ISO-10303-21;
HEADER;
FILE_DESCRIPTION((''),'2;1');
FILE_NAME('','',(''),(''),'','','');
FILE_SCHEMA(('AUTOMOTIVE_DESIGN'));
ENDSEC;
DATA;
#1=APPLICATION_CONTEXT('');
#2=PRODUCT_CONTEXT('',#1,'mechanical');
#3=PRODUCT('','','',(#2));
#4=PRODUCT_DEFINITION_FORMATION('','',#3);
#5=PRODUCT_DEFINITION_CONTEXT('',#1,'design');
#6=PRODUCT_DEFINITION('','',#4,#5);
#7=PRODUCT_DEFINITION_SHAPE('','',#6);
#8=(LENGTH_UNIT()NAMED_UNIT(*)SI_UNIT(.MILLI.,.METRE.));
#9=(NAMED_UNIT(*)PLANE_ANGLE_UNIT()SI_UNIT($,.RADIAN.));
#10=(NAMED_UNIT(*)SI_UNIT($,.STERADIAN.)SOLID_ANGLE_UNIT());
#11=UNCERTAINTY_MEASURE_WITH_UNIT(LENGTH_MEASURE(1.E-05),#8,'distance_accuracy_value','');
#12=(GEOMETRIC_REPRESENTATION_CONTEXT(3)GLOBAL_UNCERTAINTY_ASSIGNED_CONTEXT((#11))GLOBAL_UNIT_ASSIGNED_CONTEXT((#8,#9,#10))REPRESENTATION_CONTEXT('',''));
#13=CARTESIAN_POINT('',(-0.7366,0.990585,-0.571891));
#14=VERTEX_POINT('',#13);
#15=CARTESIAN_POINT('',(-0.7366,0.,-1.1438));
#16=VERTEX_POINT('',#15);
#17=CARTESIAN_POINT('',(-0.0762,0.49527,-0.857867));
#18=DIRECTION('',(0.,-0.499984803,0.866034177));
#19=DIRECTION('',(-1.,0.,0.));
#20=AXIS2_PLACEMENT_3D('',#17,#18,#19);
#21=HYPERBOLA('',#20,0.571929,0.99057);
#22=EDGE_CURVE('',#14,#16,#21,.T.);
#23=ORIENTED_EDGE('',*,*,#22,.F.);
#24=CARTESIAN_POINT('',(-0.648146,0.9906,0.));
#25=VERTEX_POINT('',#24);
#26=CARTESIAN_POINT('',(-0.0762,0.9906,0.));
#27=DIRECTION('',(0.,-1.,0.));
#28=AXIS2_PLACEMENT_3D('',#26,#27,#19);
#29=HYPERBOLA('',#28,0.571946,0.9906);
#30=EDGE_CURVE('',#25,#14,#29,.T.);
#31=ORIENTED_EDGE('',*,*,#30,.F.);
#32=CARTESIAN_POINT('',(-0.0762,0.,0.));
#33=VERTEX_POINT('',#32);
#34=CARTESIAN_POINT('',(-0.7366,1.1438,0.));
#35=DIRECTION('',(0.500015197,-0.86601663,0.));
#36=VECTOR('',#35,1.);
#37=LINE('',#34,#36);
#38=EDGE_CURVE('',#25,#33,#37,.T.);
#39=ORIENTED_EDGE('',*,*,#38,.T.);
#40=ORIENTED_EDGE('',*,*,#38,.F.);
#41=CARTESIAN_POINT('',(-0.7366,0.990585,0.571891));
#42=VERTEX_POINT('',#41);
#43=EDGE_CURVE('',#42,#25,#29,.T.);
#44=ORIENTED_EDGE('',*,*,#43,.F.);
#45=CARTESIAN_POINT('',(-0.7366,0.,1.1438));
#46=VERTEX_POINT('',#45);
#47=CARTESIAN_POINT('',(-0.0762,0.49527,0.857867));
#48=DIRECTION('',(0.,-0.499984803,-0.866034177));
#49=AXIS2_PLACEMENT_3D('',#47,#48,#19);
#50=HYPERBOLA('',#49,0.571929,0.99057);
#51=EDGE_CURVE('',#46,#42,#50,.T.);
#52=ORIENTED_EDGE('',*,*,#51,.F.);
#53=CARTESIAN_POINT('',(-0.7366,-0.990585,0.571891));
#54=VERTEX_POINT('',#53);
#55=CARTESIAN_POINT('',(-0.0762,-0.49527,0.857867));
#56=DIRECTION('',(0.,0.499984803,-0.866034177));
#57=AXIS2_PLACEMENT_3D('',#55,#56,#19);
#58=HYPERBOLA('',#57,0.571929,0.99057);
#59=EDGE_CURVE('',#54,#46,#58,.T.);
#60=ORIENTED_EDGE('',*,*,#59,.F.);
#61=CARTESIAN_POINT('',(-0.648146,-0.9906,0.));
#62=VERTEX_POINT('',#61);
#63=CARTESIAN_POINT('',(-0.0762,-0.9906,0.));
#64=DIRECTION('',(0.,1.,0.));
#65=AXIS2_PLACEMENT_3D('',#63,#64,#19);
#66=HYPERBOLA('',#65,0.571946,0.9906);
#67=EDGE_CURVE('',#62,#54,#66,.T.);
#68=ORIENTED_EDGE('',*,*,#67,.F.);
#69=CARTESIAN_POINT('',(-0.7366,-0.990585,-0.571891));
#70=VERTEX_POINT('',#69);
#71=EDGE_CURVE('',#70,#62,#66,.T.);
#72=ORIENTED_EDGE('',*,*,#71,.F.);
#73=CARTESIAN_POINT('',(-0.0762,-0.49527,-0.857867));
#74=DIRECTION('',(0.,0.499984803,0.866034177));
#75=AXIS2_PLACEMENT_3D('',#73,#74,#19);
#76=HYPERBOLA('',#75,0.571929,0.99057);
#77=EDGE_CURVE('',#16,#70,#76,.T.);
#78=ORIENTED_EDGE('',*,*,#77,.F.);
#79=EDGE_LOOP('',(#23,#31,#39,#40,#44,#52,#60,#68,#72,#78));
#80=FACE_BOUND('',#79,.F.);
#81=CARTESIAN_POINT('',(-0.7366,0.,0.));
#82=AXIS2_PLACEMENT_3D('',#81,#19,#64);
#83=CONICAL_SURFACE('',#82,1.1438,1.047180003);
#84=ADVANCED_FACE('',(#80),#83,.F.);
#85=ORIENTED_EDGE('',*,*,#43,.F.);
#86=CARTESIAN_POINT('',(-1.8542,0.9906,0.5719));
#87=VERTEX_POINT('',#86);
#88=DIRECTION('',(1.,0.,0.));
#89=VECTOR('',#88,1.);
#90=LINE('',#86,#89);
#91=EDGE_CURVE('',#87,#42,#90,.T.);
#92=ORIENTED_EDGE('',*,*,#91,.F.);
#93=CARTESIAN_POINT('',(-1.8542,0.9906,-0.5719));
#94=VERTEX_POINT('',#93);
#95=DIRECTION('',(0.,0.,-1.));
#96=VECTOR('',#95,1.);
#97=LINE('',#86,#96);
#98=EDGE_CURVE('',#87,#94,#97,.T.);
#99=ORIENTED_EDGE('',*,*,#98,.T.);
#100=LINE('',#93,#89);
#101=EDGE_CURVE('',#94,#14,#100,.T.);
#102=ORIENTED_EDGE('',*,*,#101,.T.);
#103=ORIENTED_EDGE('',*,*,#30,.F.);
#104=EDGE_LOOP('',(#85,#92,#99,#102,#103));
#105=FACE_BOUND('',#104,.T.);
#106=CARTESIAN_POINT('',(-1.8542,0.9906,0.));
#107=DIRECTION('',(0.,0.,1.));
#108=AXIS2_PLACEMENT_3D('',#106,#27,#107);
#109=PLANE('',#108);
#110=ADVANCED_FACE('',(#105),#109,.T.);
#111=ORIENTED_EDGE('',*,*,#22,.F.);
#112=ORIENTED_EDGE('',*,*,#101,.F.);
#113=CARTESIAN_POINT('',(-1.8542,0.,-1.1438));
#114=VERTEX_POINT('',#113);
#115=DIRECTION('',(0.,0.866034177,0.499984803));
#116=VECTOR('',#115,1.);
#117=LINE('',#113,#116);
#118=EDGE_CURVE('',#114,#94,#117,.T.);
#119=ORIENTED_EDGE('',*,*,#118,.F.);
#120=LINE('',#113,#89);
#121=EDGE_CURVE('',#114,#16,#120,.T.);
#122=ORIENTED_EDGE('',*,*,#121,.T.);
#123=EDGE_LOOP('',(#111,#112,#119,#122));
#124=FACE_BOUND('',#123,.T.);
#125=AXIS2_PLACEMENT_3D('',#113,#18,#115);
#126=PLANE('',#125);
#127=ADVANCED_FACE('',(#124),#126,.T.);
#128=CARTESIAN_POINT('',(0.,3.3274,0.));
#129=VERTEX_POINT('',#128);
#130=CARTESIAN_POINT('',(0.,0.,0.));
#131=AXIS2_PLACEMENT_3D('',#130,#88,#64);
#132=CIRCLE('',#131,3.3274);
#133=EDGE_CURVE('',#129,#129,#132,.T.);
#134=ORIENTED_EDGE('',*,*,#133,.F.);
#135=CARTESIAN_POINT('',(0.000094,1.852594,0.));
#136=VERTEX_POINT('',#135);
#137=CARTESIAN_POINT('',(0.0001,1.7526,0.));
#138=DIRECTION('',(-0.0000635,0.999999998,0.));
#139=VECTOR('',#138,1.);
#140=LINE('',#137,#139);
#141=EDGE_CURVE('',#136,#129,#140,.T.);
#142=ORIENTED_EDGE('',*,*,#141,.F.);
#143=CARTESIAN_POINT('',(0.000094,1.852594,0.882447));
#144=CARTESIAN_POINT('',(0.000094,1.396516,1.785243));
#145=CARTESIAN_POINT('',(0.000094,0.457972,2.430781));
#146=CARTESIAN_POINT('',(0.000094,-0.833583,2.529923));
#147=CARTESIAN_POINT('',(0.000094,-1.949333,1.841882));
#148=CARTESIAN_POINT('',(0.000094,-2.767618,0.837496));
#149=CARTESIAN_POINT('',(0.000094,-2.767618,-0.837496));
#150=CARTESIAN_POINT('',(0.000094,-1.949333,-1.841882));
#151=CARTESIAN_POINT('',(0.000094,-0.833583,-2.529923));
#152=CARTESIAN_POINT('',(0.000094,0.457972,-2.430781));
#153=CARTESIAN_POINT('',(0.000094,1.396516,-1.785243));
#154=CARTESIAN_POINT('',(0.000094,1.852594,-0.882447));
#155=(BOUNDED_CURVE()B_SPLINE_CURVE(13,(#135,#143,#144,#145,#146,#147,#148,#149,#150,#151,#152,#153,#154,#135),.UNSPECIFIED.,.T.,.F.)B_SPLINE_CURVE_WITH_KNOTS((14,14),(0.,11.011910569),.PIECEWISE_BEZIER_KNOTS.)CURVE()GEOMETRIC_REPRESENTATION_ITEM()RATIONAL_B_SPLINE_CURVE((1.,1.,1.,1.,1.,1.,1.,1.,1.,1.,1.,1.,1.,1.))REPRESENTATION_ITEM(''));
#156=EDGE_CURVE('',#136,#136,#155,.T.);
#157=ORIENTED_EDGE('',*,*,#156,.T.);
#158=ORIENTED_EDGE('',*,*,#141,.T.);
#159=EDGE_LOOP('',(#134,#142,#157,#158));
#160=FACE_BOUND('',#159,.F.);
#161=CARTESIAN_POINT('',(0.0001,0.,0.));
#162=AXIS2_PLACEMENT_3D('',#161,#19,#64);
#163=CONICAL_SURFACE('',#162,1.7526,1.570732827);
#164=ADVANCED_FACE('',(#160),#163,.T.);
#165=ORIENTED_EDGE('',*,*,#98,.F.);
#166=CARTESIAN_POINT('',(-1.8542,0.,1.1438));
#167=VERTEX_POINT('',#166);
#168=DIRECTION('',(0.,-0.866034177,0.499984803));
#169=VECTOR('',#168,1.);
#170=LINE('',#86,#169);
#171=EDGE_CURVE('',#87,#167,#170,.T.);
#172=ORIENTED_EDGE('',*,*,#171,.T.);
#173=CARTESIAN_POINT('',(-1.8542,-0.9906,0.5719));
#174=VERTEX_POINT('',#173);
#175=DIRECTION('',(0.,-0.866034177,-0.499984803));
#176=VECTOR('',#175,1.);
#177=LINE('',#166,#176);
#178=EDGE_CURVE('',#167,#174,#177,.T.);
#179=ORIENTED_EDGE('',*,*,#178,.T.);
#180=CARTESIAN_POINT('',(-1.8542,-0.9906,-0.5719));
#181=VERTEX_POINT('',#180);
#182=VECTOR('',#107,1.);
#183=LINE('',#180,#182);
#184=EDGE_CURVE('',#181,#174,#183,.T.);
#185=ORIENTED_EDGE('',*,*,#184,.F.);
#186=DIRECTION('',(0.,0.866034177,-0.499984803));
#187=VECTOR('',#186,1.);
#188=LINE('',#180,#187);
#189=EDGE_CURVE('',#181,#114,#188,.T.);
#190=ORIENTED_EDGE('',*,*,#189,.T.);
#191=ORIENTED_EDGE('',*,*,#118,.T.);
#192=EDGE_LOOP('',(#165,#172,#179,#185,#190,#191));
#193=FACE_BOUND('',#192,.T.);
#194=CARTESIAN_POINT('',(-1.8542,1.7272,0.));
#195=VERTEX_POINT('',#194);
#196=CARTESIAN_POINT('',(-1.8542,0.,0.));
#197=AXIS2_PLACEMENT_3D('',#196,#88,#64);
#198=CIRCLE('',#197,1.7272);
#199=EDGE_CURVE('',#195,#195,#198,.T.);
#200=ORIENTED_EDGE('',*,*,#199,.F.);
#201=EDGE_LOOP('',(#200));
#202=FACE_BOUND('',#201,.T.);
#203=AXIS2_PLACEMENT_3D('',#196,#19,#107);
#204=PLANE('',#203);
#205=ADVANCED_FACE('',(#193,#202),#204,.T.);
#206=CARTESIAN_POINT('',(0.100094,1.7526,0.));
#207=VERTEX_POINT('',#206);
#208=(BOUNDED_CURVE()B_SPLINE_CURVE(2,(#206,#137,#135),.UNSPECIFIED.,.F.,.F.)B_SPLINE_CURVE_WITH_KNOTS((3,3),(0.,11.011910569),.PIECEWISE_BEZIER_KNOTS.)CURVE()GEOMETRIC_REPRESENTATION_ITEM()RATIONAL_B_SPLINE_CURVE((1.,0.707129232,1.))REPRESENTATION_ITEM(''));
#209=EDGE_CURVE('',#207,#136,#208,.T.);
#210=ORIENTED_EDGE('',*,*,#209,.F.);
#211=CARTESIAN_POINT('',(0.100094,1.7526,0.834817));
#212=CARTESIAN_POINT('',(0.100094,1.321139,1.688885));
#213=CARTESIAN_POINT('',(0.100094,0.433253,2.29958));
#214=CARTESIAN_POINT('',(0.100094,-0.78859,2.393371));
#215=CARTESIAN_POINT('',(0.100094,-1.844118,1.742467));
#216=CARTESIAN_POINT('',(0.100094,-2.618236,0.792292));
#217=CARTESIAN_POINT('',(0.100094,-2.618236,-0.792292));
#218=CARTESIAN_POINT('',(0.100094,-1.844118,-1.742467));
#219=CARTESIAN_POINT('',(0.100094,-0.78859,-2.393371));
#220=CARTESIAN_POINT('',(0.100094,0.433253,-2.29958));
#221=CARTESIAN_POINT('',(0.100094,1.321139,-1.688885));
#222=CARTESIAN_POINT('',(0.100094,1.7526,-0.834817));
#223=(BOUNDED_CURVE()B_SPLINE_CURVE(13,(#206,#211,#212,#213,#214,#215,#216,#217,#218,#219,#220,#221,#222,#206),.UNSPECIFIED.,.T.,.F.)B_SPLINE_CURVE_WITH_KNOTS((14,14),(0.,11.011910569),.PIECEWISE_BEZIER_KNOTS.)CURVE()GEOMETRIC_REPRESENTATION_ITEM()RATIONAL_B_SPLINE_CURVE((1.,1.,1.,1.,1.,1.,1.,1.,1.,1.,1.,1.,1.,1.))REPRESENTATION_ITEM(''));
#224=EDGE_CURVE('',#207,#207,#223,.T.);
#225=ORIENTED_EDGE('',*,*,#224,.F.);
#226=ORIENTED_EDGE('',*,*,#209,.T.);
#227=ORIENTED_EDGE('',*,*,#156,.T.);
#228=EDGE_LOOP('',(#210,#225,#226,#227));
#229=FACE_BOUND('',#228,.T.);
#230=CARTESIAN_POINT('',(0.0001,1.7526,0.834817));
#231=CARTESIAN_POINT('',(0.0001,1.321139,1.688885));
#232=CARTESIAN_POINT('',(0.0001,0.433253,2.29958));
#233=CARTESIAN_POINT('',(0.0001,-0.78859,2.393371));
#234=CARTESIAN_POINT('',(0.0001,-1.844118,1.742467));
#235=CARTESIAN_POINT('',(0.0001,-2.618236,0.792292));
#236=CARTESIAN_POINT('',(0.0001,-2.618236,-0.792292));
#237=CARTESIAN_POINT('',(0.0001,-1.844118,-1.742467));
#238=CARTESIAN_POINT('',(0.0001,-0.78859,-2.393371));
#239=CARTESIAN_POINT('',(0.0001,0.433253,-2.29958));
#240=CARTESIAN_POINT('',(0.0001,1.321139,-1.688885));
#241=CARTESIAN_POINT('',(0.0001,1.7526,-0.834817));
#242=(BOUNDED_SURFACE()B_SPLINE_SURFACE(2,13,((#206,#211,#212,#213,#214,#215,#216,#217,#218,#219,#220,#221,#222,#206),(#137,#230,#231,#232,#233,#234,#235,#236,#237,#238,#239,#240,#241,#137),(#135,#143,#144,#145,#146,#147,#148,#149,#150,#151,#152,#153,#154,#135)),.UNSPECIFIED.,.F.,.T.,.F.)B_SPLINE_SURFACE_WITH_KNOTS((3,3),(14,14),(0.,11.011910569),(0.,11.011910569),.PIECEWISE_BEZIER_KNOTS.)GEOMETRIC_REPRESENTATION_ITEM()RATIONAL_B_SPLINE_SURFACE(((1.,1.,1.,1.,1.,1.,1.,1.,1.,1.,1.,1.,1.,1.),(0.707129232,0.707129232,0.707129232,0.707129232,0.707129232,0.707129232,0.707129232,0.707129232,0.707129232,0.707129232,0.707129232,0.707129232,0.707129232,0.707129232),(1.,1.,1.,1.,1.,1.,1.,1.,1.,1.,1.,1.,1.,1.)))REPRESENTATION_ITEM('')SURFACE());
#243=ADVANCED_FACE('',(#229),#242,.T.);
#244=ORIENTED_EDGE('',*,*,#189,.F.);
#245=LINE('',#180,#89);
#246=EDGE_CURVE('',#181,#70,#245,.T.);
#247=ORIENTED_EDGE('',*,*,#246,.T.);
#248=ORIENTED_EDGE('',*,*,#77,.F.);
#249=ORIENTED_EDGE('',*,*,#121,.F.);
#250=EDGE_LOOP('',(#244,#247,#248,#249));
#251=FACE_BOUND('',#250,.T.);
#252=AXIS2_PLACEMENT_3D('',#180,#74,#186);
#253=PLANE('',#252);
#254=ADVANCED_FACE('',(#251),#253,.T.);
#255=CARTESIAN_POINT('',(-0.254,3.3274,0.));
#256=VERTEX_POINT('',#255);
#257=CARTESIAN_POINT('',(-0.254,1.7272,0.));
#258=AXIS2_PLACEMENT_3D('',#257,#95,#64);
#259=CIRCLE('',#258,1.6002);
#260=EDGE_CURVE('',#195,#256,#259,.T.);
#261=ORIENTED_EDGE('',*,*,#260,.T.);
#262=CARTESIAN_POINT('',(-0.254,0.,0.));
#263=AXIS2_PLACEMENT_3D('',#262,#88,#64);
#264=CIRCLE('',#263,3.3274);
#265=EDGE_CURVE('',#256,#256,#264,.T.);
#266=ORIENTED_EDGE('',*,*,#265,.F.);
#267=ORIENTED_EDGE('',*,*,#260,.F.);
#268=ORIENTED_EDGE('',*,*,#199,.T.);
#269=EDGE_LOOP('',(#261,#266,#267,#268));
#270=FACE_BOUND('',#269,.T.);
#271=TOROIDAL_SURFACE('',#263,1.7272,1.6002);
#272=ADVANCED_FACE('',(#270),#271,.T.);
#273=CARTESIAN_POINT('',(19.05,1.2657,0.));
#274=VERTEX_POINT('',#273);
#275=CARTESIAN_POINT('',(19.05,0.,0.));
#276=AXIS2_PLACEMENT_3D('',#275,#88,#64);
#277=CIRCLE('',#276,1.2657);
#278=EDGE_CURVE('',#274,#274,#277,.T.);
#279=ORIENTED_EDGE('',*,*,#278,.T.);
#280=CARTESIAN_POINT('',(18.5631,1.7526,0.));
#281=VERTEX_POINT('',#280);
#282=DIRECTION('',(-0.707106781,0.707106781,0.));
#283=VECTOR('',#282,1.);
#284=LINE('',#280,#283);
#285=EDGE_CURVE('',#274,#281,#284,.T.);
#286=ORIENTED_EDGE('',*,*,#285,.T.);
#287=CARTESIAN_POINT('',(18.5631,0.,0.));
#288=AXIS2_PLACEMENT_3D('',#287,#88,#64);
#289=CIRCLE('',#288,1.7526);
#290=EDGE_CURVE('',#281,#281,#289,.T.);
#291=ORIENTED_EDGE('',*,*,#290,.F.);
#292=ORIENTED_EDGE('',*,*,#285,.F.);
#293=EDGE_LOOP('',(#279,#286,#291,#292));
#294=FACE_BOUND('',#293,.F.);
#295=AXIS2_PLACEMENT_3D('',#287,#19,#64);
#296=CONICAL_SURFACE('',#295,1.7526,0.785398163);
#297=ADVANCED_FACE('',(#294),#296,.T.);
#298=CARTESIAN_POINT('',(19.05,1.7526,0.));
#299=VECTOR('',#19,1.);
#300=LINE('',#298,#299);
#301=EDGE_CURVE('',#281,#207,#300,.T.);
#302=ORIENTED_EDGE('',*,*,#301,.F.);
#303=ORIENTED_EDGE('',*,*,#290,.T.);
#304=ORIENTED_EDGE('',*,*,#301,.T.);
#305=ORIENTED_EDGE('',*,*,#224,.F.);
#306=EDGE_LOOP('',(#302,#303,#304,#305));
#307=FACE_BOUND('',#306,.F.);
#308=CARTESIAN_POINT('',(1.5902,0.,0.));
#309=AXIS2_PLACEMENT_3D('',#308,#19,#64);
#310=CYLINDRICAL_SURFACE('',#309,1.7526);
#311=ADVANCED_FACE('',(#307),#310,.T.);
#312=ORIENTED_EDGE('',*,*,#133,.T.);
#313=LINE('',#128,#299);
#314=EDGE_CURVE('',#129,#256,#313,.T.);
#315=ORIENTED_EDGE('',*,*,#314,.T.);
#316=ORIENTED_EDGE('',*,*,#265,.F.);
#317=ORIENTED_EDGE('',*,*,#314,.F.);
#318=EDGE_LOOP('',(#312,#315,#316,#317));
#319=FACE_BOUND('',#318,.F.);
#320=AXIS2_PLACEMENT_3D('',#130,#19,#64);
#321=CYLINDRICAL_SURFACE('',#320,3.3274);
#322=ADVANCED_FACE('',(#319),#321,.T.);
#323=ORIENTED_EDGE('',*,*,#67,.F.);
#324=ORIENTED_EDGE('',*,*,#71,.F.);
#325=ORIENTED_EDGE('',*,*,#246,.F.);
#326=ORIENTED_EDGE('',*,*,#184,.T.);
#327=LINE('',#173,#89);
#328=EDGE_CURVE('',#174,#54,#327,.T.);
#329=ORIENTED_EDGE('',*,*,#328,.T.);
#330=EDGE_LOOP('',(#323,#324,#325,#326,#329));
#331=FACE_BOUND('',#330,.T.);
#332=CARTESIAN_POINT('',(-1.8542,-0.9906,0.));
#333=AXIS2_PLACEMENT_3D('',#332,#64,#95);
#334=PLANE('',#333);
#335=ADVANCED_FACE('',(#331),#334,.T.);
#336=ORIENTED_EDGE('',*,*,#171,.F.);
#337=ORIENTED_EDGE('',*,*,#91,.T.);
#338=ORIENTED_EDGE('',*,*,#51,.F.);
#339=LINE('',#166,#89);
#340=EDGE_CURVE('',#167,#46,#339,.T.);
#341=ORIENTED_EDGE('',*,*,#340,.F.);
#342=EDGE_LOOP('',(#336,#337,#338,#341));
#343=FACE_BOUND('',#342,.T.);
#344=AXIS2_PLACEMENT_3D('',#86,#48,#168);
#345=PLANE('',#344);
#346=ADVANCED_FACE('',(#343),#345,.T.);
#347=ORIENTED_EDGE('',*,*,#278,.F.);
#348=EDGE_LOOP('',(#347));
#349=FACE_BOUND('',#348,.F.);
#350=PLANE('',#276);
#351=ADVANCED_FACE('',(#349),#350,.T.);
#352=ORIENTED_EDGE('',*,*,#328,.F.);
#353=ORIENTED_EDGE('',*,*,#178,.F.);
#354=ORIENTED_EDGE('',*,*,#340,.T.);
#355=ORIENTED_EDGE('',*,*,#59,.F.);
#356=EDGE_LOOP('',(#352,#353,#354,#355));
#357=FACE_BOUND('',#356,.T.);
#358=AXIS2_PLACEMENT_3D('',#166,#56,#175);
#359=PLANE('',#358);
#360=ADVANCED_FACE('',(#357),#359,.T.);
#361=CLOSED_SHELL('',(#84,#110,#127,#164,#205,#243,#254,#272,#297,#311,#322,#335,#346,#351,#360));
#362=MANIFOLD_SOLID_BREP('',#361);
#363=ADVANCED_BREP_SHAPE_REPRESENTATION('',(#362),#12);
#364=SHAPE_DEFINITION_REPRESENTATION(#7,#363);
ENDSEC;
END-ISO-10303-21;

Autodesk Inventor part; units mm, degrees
ref_plane "YZ Plane" through (0, 0, 0) normal (1, 0, 0) x (0, 1, 0)
ref_plane "XZ Plane" through (0, 0, 0) normal (0, 1, 0) x (-1, 0, 0)
sketch "Sketch1" plane through (0, 0, 0) normal (0, 0, 1) x (1, 0, 0)
  line L0 (-0.0762, 0) -> (19.05, 0)
  line L1 (19.05, 0) -> (19.05, 1.7526)
  line L2 (19.05, 1.7526) -> (1.5902, 1.7526)
  line L3 (1.5902, 1.7526) -> (0.0001, 1.7526)
  line L4 (0.0001, 1.7526) -> (0, 1.7526)
  line L5 (0, 1.7526) -> (0, 3.3274)
  line L6 (0, 3.3274) -> (-1.8542, 3.3274)
  line L7 (-1.8542, 3.3274) -> (-1.8542, 1.1438)
  line L8 (-1.8542, 1.1438) -> (-0.7366, 1.1438)
  line L9 (-0.7366, 1.1438) -> (-0.0762, 0)
  line L10 (-6.035, 0) -> (23.2308, 0) projected
  line L11 (0, -0.6655) -> (0, 3.9929) projected
  line L12 (1.5902, 1.7526) -> (0, 1.7526) construction
  dimension "d1" = 17.4598
  dimension "d2" = 1.5901
  dimension "d3" = 1.8542
  dimension "d4" = 1.1176
  dimension "d5" = 60
  dimension "d6" = 3.5052
  dimension "d7" = 3.5052
  dimension "d8" = 2.2877
  dimension "d9" = 6.6548
  dimension "d26" = 19.05
revolve "Body" add sketch "Sketch1" angle 360 about axis through (-0.0762, 0, 0) along (1, 0, 0)
sketch "Sketch2" plane through (-1.8542, 0, 0) normal (-1, 0, 0) x (0, 0, 1)
  circle A0 centre (0, 0) radius 1.1438 projected
  line L0 (0, -4.6584) -> (0, 4.6584) projected
  line L1 (-4.6584, 0) -> (4.6584, 0) projected
  line L2 (1.1438, 0) -> (0.5719, -0.9906)
  line L3 (0.5719, -0.9906) -> (-0.5719, -0.9906)
  line L4 (-0.5719, -0.9906) -> (-1.1438, 0)
  line L5 (-1.1438, 0) -> (-0.5719, 0.9906)
  line L6 (-0.5719, 0.9906) -> (0.5719, 0.9906)
  line L7 (0.5719, 0.9906) -> (1.1438, 0)
extrude "Slot" add sketch "Sketch2" against normal up to next contours L7 A0 | A0 L2 | L6 L0 A0 | A0 L0 L3 | L0 L6 A0 | A0 L3 L0 | L4 A0 | A0 L5
fillet "Fillet1" radius 1.6002 1 edges at (-1.8542, -3.3274, 0)
thread "Thread" size "6-32 UNC" class "2A" standard "ANSI Unified Screw Threads" length 17.4598
chamfer "Chamfer1" distance 0.4869 distance2 0.4869 1 edges at (19.05, -1.7526, 0) measured on face at (19.05, 0.4373, -0.3874)
ref_plane "Work Plane1" through (29, 0, 0) normal (0, -1, 0) x (1, 0, 0)
fillet "Fillet2" radius 0.1 1 edges at (0.0001, -1.7526, 0)
equation "\"d1\" = GEL"
equation "\"d3\" = KOH"
equation "\"d4\" = INTI"
equation "\"d6\" = GD"
equation "\"d7\" = BDM"
equation "\"d8\" = 1.1547 * SW"
equation "\"d9\" = KOD"
equation "\"d26\" = NLG"
equation "\"d30\" = R"
equation "\"d17\" = RR"
equation "\"d13\" = GEL"
equation "\"d15\" = -0.5 * SPD + 0.5 * GD"
equation "\"d16\" = GUL"
equation "\"GD\" = NND"
equation "\"NLG\" = 19.05"
equation "\"GEL\" = 17.45976"
equation "\"KOD\" = 6.6548"
equation "\"KOH\" = 1.8542"
equation "\"INTI\" = 1.1176"
equation "\"GAL\" = 1.59004"
equation "\"GUL\" = 0.48692"
equation "\"BDM\" = NND"
equation "\"SW\" = 1.9812"
equation "\"RR\" = 1.6002"
equation "\"SPD\" = 2.53136"
equation "\"R\" = 0.1"
equation "\"TOA\" = 30deg"
equation "\"GD1\" = SPD"
equation "\"THREADDIA\" = 3.5052"
equation "\"KOH1\" = 0.381"
equation "\"NND\" = 3.5052"
equation "\"E0\" = 2.28829"
properties part number "ANSI B18.3 - 6 - 32 x 3/4" material "Steel, Mild"
